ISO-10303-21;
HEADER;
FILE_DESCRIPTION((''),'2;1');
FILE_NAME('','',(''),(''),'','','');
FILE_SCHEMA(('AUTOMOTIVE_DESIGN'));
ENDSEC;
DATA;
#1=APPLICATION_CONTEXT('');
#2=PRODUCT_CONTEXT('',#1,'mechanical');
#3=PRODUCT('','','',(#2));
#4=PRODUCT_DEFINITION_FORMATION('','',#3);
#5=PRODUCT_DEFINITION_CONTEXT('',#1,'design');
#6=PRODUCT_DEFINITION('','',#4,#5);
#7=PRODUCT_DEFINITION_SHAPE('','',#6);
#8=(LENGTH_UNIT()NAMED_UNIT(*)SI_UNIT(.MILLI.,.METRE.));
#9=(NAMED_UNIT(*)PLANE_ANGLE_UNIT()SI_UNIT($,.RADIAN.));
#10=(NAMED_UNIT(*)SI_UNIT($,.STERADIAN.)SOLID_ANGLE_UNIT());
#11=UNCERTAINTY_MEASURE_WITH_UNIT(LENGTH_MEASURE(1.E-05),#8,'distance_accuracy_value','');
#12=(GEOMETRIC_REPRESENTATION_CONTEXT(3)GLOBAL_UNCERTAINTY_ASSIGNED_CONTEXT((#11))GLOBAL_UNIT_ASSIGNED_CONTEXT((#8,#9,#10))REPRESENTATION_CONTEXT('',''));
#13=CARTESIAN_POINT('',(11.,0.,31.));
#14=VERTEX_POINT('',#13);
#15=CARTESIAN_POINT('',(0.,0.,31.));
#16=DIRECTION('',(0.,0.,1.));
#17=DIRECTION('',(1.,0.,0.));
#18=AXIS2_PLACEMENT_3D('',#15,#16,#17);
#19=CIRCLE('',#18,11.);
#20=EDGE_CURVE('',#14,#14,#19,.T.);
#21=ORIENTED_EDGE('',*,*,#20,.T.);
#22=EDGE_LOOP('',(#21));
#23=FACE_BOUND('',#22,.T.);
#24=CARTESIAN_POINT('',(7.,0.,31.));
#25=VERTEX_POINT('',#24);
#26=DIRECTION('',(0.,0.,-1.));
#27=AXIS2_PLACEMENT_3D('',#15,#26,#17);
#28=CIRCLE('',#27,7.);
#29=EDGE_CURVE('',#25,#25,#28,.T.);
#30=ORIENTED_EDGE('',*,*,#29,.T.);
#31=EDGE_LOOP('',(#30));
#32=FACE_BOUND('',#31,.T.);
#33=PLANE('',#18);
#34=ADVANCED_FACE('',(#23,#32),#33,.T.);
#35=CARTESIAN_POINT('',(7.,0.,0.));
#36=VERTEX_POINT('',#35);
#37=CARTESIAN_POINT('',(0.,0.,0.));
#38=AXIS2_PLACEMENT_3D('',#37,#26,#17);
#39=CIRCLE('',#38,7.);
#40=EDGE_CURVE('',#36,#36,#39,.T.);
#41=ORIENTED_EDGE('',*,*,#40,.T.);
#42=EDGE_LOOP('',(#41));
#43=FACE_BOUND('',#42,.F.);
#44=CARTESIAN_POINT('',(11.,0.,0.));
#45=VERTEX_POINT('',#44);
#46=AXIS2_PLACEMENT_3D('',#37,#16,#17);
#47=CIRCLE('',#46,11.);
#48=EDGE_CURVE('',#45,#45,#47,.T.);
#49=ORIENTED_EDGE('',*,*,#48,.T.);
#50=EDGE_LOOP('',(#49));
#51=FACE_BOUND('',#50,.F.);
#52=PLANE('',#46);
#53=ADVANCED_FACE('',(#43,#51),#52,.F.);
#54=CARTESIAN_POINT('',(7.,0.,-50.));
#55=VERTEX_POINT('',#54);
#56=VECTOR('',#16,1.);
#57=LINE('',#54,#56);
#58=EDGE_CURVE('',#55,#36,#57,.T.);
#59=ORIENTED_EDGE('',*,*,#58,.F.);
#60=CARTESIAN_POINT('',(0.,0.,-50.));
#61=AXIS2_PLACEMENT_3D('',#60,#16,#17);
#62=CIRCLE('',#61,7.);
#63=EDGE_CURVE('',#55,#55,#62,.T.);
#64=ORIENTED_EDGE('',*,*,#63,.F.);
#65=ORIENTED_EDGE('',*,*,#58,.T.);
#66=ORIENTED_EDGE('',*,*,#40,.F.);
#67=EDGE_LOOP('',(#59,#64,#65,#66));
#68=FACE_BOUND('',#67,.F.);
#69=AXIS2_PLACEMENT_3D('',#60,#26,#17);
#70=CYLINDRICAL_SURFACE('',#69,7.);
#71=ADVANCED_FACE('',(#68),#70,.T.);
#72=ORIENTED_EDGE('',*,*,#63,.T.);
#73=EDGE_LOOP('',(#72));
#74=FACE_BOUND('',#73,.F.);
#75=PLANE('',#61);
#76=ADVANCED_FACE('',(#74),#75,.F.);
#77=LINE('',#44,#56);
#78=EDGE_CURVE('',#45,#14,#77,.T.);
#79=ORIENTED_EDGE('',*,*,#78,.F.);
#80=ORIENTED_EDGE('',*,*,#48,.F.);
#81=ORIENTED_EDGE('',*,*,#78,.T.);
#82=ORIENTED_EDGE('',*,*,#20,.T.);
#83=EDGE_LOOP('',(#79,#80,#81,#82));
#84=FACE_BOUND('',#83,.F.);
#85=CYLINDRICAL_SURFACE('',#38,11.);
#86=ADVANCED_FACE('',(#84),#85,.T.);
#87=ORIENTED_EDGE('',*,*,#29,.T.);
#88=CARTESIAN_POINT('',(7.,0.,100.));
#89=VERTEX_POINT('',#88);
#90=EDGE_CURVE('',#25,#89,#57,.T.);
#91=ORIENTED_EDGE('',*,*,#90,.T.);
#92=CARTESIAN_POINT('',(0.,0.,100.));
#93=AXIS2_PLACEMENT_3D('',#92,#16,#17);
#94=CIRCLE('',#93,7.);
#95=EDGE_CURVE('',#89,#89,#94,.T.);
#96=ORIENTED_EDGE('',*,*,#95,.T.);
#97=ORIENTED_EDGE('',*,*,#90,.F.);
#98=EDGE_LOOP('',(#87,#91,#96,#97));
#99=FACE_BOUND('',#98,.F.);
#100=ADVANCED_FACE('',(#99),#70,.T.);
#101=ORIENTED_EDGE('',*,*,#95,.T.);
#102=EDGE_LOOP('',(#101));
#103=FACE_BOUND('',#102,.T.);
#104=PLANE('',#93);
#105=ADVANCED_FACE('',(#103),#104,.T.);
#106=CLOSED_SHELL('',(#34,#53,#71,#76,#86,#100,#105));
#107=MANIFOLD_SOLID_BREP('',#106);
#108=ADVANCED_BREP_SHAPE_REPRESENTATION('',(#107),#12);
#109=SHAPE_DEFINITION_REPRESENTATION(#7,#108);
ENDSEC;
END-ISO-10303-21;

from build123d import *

# Parameters (mm, degrees)
CYLINDER004_R     = 7
CYLINDER004_DEPTH = 150
CYLINDER003_R     = 11
CYLINDER003_DEPTH = 31


with BuildPart() as axe:
    # Cylinder004 → Cylinder004 (new body)
    with BuildSketch(Plane.XY.offset(-50)):
        Circle(CYLINDER004_R)
    extrude(amount=CYLINDER004_DEPTH)


with BuildPart() as ball_slider:
    # Cylinder003 → Cylinder003 (new body)
    with BuildSketch(Plane.XY):
        Circle(CYLINDER003_R)
    extrude(amount=CYLINDER003_DEPTH)

    # Fusion003: union axe
    add(axe.part)


solid = ball_slider.part
